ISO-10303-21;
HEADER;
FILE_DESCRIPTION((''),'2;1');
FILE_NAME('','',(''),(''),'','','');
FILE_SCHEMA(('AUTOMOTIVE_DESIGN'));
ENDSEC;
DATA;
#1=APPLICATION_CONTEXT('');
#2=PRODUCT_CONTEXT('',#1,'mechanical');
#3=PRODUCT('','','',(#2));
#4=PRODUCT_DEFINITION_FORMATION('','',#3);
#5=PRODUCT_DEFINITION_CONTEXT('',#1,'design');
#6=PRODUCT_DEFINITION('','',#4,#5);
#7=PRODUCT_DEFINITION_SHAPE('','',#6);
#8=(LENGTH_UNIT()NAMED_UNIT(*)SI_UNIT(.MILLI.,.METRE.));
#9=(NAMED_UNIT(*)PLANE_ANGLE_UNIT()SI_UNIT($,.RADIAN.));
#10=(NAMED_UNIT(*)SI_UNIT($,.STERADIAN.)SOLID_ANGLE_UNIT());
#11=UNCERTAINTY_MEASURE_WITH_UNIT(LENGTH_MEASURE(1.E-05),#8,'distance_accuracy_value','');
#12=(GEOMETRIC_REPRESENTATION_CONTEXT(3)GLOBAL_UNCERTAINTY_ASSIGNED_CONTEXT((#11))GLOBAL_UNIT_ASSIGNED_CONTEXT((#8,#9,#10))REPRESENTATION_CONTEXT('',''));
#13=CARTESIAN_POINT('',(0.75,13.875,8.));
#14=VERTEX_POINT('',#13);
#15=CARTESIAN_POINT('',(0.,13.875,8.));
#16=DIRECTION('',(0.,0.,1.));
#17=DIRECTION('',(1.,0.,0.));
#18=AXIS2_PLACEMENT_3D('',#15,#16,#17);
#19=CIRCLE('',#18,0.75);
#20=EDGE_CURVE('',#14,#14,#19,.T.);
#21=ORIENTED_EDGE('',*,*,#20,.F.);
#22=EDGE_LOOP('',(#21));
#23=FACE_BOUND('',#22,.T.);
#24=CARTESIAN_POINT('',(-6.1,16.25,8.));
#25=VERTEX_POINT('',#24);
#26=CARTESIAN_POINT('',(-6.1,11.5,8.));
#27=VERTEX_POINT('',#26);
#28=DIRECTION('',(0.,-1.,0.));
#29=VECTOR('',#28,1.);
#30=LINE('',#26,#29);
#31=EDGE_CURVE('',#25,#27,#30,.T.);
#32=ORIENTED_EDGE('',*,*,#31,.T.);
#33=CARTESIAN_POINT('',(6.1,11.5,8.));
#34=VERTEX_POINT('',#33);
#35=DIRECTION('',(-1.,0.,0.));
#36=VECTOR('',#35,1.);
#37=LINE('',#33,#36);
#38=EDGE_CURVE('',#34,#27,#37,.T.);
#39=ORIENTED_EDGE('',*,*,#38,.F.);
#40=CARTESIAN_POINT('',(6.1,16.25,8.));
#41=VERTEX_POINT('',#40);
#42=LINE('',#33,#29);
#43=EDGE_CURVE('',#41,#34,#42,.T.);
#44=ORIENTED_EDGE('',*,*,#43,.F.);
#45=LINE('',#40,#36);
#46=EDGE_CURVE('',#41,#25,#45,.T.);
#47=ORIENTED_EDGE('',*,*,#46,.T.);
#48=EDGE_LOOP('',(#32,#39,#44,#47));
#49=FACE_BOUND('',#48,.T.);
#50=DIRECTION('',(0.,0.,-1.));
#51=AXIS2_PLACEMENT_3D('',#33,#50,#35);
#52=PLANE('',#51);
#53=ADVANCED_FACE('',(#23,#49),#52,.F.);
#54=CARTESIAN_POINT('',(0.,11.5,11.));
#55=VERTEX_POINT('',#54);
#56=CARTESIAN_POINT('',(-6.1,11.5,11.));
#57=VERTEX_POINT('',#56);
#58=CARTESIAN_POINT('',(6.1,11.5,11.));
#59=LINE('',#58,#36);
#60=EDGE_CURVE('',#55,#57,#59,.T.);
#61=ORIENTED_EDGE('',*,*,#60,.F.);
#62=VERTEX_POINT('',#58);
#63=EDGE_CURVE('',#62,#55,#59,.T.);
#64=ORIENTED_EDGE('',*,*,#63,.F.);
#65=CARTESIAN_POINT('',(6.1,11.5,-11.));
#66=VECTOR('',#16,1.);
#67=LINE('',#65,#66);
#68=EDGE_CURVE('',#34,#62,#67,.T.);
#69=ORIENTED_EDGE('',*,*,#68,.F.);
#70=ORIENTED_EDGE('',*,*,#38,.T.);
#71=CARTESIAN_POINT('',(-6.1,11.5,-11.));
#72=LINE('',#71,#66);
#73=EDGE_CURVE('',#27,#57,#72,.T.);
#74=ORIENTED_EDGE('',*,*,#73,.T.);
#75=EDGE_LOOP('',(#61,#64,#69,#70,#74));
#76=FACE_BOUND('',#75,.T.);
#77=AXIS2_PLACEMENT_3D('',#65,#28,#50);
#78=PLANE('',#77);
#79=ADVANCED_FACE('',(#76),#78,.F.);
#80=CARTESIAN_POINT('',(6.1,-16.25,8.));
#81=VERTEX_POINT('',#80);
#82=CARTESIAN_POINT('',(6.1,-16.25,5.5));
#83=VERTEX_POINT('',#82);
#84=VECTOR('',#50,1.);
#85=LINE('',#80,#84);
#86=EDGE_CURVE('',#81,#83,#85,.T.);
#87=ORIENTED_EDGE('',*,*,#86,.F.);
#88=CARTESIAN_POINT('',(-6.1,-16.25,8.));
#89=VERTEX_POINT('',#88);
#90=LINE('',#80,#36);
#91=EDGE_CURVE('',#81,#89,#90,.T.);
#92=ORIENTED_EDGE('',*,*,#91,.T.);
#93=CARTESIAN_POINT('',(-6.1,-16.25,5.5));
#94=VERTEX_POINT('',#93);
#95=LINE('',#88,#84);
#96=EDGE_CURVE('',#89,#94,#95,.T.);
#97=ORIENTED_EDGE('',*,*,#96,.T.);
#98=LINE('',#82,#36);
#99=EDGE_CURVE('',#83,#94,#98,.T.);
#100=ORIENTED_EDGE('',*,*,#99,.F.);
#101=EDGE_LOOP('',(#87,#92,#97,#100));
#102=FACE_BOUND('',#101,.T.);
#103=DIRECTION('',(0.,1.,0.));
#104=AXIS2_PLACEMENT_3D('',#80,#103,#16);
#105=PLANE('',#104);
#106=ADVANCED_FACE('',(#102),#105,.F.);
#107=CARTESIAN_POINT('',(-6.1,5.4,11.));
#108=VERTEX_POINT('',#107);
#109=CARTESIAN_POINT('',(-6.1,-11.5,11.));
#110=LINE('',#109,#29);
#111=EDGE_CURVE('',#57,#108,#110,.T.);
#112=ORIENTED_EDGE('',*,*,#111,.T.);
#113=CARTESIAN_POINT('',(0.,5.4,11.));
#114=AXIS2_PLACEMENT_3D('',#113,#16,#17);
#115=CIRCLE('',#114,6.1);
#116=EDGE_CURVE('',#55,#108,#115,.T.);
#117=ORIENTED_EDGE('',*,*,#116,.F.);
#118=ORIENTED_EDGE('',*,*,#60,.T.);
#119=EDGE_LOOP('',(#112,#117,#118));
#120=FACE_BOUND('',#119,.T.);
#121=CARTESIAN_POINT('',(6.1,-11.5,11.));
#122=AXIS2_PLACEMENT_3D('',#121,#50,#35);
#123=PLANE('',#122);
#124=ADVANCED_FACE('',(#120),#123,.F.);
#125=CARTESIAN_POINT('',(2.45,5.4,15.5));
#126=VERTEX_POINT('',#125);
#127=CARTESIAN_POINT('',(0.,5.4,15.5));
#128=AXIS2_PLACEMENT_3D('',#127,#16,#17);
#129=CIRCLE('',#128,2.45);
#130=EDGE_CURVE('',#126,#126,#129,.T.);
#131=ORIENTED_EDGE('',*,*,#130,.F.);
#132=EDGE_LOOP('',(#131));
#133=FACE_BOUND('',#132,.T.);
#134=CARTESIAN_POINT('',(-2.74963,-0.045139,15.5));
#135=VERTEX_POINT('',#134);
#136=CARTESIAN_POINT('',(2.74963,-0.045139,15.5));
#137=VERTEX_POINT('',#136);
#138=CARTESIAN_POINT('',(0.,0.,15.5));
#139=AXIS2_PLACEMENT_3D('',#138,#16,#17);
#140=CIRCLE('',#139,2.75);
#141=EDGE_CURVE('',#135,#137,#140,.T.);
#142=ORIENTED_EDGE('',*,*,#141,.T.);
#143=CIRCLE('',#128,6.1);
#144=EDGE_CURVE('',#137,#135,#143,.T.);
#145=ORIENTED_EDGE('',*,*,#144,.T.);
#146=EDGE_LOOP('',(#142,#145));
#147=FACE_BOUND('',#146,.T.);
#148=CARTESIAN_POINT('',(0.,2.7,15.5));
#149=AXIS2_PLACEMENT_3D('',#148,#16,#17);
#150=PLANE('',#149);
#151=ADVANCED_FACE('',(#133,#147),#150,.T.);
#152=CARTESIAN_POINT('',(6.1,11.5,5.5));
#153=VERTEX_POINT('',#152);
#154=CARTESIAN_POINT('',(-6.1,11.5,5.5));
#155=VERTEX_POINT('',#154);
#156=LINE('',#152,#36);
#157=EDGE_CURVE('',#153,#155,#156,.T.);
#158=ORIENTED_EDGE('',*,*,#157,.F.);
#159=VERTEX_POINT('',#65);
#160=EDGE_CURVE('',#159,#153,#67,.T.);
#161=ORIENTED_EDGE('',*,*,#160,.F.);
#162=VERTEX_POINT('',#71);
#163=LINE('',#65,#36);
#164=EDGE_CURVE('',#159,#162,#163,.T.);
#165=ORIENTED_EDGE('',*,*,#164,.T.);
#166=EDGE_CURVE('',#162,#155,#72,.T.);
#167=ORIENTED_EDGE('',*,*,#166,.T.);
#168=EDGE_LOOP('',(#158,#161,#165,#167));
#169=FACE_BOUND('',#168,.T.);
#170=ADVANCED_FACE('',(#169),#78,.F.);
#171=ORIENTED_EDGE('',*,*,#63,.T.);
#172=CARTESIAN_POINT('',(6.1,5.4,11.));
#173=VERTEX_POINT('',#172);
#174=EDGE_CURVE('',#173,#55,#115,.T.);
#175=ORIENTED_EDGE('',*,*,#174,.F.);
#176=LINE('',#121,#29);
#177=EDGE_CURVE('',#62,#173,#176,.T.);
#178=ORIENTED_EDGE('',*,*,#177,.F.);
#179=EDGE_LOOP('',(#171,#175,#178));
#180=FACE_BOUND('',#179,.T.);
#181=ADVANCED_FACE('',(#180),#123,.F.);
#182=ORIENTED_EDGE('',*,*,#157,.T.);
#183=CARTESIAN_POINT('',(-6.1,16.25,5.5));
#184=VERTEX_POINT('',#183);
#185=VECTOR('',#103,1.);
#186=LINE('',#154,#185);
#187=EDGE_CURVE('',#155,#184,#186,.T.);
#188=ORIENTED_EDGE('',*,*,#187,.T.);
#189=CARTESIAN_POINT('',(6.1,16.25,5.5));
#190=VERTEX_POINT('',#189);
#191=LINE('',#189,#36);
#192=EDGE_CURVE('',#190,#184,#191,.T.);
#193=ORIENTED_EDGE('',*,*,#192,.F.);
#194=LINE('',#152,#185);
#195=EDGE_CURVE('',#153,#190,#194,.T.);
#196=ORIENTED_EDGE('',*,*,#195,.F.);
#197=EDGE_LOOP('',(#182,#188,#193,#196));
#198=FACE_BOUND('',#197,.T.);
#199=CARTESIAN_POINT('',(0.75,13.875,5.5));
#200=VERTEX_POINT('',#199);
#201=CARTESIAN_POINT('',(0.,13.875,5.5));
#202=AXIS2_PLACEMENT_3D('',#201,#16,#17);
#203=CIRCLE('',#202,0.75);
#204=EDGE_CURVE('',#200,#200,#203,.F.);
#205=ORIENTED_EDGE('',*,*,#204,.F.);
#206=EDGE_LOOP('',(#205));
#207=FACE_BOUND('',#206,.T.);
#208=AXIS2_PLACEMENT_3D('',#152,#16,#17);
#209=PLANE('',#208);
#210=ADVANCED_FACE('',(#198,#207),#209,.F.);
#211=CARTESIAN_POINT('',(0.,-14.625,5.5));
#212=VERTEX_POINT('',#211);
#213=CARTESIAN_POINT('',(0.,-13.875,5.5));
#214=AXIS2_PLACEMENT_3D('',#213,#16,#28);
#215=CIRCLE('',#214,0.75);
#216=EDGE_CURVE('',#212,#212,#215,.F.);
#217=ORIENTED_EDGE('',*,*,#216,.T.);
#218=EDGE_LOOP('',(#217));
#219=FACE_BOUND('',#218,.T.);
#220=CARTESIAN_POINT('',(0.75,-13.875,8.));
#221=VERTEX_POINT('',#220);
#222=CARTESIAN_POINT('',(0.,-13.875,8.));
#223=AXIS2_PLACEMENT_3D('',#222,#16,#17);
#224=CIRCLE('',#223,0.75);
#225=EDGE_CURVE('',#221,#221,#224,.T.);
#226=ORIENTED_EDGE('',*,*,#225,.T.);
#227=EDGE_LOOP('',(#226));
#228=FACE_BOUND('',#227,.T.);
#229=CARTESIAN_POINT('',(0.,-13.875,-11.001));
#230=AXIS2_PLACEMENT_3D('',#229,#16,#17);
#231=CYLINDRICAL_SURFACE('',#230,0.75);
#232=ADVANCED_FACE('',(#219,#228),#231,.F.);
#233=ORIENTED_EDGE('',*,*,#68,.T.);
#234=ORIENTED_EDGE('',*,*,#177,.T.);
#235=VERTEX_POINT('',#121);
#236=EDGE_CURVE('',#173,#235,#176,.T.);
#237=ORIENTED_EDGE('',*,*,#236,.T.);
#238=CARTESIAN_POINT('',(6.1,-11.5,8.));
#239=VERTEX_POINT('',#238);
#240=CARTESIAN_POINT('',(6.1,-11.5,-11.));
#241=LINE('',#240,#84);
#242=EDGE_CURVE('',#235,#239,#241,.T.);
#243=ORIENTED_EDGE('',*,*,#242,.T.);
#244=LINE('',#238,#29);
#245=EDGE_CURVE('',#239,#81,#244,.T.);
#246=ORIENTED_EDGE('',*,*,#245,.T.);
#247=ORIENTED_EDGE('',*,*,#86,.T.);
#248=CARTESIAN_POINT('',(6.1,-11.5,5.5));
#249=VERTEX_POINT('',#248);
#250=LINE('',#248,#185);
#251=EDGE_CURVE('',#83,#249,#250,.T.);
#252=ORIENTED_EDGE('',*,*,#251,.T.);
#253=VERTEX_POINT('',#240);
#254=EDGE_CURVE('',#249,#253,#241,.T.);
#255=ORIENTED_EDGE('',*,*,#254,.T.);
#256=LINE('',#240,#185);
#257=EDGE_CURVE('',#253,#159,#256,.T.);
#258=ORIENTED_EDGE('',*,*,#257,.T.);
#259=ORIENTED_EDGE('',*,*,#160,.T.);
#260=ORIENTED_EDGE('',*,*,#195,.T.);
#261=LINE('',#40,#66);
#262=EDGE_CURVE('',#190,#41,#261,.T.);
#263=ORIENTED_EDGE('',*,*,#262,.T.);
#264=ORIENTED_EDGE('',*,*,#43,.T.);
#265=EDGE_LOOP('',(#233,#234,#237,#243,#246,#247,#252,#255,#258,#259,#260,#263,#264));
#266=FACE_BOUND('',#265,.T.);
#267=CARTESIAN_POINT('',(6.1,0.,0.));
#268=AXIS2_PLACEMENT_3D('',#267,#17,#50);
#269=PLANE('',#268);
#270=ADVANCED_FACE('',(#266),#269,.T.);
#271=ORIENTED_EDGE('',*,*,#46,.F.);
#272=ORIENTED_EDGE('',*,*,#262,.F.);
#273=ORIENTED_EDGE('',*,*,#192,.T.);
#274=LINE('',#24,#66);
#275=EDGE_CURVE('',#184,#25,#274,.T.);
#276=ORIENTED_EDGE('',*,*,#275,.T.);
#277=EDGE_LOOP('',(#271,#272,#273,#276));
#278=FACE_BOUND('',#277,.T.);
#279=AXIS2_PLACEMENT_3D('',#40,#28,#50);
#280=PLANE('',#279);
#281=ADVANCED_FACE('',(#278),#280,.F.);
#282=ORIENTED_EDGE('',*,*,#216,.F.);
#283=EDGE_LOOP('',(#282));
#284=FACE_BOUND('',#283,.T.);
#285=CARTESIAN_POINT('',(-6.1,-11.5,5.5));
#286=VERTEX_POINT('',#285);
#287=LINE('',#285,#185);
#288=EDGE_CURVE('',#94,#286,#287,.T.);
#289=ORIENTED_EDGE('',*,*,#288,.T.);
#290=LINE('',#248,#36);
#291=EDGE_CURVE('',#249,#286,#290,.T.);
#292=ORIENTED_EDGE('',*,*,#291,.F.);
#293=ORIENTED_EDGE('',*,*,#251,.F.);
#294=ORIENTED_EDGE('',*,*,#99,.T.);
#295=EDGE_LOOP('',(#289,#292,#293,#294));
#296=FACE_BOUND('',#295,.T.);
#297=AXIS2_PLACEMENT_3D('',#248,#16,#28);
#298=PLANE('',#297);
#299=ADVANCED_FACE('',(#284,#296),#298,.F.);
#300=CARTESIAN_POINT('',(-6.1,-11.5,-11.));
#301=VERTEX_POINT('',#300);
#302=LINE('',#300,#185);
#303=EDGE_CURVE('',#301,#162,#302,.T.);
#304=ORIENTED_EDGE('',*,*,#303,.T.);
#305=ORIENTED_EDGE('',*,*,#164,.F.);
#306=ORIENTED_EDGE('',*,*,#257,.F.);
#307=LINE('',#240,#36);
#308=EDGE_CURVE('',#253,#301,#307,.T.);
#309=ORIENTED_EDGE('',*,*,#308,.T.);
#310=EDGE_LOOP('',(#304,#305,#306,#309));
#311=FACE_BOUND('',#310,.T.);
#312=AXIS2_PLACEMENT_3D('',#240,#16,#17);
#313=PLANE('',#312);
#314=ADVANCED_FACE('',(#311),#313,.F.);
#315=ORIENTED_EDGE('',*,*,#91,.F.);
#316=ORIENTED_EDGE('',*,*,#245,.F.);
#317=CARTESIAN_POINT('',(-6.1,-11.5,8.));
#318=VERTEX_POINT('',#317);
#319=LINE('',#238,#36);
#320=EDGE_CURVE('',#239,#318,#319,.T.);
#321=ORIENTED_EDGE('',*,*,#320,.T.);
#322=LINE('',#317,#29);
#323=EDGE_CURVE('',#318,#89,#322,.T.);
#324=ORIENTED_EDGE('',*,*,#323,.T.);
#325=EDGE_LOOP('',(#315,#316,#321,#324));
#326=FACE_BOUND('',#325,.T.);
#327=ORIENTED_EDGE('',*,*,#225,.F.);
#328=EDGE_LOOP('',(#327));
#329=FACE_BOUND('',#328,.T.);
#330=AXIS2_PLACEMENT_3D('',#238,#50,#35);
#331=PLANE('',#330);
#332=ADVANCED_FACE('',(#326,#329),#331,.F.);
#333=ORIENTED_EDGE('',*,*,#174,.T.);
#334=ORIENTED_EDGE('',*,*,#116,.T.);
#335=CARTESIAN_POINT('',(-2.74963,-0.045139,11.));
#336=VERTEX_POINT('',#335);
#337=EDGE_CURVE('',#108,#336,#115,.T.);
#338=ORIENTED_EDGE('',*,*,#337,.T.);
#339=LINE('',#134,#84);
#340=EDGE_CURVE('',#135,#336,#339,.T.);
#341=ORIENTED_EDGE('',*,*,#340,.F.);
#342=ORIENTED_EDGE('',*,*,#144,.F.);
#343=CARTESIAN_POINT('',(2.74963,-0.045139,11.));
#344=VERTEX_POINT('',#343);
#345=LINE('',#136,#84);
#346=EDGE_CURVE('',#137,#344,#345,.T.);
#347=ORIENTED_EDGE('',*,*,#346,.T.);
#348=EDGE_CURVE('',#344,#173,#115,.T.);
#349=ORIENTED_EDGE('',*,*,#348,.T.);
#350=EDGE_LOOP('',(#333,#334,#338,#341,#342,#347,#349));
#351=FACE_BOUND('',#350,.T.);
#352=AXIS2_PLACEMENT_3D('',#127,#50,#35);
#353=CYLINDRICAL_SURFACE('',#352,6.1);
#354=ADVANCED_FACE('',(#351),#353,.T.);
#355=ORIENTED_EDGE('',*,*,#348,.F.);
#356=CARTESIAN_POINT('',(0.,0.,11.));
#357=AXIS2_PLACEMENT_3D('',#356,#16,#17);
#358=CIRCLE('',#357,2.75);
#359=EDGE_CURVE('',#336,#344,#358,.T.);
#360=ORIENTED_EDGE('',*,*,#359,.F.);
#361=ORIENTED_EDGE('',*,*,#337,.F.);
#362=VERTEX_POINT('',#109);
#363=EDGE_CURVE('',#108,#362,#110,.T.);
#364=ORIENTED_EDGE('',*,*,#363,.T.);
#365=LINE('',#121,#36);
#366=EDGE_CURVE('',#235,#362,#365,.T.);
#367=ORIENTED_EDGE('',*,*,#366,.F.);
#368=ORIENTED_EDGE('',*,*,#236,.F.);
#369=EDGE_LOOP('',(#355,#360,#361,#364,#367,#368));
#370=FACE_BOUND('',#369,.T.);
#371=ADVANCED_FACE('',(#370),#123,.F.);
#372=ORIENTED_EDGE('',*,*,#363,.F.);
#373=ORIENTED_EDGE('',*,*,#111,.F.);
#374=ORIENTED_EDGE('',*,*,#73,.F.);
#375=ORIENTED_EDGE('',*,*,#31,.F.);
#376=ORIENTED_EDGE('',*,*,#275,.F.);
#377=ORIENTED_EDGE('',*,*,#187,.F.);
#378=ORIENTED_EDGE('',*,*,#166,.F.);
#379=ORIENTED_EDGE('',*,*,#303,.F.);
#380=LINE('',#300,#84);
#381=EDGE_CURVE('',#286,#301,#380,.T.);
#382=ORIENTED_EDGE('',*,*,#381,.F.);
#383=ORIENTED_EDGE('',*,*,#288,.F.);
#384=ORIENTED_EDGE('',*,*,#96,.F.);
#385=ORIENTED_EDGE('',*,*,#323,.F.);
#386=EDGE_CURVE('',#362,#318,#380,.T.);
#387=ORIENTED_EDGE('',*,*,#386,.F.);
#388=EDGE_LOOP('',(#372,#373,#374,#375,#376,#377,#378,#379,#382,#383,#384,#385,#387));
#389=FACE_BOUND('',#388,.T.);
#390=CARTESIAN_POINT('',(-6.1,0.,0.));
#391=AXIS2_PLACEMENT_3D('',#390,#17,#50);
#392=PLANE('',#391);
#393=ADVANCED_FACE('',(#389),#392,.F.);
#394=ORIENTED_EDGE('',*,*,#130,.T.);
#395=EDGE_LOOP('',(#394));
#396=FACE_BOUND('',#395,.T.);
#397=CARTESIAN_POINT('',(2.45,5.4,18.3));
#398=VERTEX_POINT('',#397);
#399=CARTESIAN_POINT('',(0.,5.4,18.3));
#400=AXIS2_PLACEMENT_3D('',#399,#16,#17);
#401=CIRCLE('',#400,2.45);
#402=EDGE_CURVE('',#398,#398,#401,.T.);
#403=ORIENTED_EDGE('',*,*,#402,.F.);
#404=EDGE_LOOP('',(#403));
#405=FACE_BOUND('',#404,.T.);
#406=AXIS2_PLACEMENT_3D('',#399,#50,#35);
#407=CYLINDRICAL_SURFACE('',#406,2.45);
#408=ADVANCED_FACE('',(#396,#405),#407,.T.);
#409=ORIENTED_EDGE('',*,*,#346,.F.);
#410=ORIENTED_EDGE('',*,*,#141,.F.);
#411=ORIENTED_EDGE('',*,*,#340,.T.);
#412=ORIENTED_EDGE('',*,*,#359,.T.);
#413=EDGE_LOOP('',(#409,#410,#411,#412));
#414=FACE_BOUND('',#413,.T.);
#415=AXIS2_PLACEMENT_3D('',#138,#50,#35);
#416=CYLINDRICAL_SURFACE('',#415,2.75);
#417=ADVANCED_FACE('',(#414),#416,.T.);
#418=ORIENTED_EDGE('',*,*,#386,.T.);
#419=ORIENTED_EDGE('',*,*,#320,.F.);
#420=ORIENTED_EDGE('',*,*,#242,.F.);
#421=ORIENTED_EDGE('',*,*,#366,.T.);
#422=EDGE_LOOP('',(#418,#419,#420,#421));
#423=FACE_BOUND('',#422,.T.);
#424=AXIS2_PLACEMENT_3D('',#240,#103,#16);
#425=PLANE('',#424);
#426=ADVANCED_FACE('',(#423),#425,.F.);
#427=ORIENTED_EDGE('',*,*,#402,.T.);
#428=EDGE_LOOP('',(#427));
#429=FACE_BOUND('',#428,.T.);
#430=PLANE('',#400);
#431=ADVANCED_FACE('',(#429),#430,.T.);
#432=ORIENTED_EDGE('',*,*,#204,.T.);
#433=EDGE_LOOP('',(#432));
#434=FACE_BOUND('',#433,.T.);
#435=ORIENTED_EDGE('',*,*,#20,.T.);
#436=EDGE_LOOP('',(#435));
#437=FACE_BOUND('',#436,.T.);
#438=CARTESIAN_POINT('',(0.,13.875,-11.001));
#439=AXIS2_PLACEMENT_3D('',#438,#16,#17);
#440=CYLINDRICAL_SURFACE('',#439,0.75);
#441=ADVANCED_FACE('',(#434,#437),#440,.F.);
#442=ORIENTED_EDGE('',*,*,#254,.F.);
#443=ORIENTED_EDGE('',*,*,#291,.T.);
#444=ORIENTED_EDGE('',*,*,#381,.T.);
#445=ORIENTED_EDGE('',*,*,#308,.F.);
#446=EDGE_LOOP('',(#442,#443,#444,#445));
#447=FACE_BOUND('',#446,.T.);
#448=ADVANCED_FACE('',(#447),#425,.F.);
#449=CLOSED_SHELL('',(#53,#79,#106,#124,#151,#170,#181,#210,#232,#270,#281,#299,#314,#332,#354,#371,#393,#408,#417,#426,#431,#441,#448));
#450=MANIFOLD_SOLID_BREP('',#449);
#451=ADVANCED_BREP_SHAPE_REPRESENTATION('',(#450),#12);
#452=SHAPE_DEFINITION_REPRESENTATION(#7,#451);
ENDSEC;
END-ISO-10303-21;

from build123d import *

# Parameters (mm, degrees)
ESQUISSE1_W             = 22
ESQUISSE1_H             = 23
BOSS_EXTRU_1_DEPTH      = 6.1
BOSS_EXTRU_2_DEPTH      = 4.5
ESQUISSE3_R             = 2.45
BOSS_EXTRU_3_DEPTH      = 2.8
ESQUISSE4_W             = 2.5
ESQUISSE4_H             = 4.75
BOSS_EXTRU_4_DEPTH      = 6.1
ENL_V_MAT_EXTRU_1_REACH = 21
ESQUISSE5_R             = 0.75


with BuildPart() as part:
    # Esquisse1 → Boss.-Extru.1 (new body, symmetric)
    with BuildSketch(Plane(origin=(0, 0, 0), x_dir=(0, 0, -1), z_dir=(1, 0, 0))):
        Rectangle(ESQUISSE1_W, ESQUISSE1_H)
    extrude(amount=BOSS_EXTRU_1_DEPTH, both=True)

    # Esquisse2 → Boss.-Extru.2 (add)
    with BuildSketch(Plane.XY.offset(11)):
        with BuildLine():
            ThreePointArc((2.749629517, -0.045138889), (0, 11.5), (-2.749629517, -0.045138889))
            ThreePointArc((-2.749629517, -0.045138889), (0, -2.75), (2.749629517, -0.045138889))
        make_face()
    extrude(amount=BOSS_EXTRU_2_DEPTH)

    # Esquisse3 → Boss.-Extru.3 (add)
    with BuildSketch(Plane.XY.offset(15.5)):
        with Locations((0, 5.4)):
            Circle(ESQUISSE3_R)
    extrude(amount=BOSS_EXTRU_3_DEPTH)

    # Esquisse4 → Boss.-Extru.4 (add, symmetric)
    with BuildSketch(Plane(origin=(0, 0, 0), x_dir=(0, 0, -1), z_dir=(1, 0, 0))):
        with Locations((-6.75, 13.875)):
            Rectangle(ESQUISSE4_W, ESQUISSE4_H)
        with Locations((-6.75, -13.875)):
            Rectangle(ESQUISSE4_W, ESQUISSE4_H)
    extrude(amount=BOSS_EXTRU_4_DEPTH, both=True)

    # Esquisse5 → Enlèv. mat.-Extru.1 (cut, up to next)
    with BuildSketch(Plane.XY.offset(8), mode=Mode.PRIVATE) as enl_v_mat_extru_1_sk1:
        with Locations((0, 13.875)):
            Circle(ESQUISSE5_R)
    enl_v_mat_extru_1_tool1 = extrude(enl_v_mat_extru_1_sk1.sketch, amount=-ENL_V_MAT_EXTRU_1_REACH, mode=Mode.PRIVATE) & part.part
    add(enl_v_mat_extru_1_tool1.solids().sort_by_distance((0, 13.875, 8))[0], mode=Mode.SUBTRACT)
    # Esquisse5 → Enlèv. mat.-Extru.1 (cut, up to next)
    with BuildSketch(Plane.XY.offset(8), mode=Mode.PRIVATE) as enl_v_mat_extru_1_sk2:
        with Locations((0, -13.875)):
            Circle(ESQUISSE5_R)
    enl_v_mat_extru_1_tool2 = extrude(enl_v_mat_extru_1_sk2.sketch, amount=-ENL_V_MAT_EXTRU_1_REACH, mode=Mode.PRIVATE) & part.part
    add(enl_v_mat_extru_1_tool2.solids().sort_by_distance((0, -13.875, 8))[0], mode=Mode.SUBTRACT)


solid = part.part
